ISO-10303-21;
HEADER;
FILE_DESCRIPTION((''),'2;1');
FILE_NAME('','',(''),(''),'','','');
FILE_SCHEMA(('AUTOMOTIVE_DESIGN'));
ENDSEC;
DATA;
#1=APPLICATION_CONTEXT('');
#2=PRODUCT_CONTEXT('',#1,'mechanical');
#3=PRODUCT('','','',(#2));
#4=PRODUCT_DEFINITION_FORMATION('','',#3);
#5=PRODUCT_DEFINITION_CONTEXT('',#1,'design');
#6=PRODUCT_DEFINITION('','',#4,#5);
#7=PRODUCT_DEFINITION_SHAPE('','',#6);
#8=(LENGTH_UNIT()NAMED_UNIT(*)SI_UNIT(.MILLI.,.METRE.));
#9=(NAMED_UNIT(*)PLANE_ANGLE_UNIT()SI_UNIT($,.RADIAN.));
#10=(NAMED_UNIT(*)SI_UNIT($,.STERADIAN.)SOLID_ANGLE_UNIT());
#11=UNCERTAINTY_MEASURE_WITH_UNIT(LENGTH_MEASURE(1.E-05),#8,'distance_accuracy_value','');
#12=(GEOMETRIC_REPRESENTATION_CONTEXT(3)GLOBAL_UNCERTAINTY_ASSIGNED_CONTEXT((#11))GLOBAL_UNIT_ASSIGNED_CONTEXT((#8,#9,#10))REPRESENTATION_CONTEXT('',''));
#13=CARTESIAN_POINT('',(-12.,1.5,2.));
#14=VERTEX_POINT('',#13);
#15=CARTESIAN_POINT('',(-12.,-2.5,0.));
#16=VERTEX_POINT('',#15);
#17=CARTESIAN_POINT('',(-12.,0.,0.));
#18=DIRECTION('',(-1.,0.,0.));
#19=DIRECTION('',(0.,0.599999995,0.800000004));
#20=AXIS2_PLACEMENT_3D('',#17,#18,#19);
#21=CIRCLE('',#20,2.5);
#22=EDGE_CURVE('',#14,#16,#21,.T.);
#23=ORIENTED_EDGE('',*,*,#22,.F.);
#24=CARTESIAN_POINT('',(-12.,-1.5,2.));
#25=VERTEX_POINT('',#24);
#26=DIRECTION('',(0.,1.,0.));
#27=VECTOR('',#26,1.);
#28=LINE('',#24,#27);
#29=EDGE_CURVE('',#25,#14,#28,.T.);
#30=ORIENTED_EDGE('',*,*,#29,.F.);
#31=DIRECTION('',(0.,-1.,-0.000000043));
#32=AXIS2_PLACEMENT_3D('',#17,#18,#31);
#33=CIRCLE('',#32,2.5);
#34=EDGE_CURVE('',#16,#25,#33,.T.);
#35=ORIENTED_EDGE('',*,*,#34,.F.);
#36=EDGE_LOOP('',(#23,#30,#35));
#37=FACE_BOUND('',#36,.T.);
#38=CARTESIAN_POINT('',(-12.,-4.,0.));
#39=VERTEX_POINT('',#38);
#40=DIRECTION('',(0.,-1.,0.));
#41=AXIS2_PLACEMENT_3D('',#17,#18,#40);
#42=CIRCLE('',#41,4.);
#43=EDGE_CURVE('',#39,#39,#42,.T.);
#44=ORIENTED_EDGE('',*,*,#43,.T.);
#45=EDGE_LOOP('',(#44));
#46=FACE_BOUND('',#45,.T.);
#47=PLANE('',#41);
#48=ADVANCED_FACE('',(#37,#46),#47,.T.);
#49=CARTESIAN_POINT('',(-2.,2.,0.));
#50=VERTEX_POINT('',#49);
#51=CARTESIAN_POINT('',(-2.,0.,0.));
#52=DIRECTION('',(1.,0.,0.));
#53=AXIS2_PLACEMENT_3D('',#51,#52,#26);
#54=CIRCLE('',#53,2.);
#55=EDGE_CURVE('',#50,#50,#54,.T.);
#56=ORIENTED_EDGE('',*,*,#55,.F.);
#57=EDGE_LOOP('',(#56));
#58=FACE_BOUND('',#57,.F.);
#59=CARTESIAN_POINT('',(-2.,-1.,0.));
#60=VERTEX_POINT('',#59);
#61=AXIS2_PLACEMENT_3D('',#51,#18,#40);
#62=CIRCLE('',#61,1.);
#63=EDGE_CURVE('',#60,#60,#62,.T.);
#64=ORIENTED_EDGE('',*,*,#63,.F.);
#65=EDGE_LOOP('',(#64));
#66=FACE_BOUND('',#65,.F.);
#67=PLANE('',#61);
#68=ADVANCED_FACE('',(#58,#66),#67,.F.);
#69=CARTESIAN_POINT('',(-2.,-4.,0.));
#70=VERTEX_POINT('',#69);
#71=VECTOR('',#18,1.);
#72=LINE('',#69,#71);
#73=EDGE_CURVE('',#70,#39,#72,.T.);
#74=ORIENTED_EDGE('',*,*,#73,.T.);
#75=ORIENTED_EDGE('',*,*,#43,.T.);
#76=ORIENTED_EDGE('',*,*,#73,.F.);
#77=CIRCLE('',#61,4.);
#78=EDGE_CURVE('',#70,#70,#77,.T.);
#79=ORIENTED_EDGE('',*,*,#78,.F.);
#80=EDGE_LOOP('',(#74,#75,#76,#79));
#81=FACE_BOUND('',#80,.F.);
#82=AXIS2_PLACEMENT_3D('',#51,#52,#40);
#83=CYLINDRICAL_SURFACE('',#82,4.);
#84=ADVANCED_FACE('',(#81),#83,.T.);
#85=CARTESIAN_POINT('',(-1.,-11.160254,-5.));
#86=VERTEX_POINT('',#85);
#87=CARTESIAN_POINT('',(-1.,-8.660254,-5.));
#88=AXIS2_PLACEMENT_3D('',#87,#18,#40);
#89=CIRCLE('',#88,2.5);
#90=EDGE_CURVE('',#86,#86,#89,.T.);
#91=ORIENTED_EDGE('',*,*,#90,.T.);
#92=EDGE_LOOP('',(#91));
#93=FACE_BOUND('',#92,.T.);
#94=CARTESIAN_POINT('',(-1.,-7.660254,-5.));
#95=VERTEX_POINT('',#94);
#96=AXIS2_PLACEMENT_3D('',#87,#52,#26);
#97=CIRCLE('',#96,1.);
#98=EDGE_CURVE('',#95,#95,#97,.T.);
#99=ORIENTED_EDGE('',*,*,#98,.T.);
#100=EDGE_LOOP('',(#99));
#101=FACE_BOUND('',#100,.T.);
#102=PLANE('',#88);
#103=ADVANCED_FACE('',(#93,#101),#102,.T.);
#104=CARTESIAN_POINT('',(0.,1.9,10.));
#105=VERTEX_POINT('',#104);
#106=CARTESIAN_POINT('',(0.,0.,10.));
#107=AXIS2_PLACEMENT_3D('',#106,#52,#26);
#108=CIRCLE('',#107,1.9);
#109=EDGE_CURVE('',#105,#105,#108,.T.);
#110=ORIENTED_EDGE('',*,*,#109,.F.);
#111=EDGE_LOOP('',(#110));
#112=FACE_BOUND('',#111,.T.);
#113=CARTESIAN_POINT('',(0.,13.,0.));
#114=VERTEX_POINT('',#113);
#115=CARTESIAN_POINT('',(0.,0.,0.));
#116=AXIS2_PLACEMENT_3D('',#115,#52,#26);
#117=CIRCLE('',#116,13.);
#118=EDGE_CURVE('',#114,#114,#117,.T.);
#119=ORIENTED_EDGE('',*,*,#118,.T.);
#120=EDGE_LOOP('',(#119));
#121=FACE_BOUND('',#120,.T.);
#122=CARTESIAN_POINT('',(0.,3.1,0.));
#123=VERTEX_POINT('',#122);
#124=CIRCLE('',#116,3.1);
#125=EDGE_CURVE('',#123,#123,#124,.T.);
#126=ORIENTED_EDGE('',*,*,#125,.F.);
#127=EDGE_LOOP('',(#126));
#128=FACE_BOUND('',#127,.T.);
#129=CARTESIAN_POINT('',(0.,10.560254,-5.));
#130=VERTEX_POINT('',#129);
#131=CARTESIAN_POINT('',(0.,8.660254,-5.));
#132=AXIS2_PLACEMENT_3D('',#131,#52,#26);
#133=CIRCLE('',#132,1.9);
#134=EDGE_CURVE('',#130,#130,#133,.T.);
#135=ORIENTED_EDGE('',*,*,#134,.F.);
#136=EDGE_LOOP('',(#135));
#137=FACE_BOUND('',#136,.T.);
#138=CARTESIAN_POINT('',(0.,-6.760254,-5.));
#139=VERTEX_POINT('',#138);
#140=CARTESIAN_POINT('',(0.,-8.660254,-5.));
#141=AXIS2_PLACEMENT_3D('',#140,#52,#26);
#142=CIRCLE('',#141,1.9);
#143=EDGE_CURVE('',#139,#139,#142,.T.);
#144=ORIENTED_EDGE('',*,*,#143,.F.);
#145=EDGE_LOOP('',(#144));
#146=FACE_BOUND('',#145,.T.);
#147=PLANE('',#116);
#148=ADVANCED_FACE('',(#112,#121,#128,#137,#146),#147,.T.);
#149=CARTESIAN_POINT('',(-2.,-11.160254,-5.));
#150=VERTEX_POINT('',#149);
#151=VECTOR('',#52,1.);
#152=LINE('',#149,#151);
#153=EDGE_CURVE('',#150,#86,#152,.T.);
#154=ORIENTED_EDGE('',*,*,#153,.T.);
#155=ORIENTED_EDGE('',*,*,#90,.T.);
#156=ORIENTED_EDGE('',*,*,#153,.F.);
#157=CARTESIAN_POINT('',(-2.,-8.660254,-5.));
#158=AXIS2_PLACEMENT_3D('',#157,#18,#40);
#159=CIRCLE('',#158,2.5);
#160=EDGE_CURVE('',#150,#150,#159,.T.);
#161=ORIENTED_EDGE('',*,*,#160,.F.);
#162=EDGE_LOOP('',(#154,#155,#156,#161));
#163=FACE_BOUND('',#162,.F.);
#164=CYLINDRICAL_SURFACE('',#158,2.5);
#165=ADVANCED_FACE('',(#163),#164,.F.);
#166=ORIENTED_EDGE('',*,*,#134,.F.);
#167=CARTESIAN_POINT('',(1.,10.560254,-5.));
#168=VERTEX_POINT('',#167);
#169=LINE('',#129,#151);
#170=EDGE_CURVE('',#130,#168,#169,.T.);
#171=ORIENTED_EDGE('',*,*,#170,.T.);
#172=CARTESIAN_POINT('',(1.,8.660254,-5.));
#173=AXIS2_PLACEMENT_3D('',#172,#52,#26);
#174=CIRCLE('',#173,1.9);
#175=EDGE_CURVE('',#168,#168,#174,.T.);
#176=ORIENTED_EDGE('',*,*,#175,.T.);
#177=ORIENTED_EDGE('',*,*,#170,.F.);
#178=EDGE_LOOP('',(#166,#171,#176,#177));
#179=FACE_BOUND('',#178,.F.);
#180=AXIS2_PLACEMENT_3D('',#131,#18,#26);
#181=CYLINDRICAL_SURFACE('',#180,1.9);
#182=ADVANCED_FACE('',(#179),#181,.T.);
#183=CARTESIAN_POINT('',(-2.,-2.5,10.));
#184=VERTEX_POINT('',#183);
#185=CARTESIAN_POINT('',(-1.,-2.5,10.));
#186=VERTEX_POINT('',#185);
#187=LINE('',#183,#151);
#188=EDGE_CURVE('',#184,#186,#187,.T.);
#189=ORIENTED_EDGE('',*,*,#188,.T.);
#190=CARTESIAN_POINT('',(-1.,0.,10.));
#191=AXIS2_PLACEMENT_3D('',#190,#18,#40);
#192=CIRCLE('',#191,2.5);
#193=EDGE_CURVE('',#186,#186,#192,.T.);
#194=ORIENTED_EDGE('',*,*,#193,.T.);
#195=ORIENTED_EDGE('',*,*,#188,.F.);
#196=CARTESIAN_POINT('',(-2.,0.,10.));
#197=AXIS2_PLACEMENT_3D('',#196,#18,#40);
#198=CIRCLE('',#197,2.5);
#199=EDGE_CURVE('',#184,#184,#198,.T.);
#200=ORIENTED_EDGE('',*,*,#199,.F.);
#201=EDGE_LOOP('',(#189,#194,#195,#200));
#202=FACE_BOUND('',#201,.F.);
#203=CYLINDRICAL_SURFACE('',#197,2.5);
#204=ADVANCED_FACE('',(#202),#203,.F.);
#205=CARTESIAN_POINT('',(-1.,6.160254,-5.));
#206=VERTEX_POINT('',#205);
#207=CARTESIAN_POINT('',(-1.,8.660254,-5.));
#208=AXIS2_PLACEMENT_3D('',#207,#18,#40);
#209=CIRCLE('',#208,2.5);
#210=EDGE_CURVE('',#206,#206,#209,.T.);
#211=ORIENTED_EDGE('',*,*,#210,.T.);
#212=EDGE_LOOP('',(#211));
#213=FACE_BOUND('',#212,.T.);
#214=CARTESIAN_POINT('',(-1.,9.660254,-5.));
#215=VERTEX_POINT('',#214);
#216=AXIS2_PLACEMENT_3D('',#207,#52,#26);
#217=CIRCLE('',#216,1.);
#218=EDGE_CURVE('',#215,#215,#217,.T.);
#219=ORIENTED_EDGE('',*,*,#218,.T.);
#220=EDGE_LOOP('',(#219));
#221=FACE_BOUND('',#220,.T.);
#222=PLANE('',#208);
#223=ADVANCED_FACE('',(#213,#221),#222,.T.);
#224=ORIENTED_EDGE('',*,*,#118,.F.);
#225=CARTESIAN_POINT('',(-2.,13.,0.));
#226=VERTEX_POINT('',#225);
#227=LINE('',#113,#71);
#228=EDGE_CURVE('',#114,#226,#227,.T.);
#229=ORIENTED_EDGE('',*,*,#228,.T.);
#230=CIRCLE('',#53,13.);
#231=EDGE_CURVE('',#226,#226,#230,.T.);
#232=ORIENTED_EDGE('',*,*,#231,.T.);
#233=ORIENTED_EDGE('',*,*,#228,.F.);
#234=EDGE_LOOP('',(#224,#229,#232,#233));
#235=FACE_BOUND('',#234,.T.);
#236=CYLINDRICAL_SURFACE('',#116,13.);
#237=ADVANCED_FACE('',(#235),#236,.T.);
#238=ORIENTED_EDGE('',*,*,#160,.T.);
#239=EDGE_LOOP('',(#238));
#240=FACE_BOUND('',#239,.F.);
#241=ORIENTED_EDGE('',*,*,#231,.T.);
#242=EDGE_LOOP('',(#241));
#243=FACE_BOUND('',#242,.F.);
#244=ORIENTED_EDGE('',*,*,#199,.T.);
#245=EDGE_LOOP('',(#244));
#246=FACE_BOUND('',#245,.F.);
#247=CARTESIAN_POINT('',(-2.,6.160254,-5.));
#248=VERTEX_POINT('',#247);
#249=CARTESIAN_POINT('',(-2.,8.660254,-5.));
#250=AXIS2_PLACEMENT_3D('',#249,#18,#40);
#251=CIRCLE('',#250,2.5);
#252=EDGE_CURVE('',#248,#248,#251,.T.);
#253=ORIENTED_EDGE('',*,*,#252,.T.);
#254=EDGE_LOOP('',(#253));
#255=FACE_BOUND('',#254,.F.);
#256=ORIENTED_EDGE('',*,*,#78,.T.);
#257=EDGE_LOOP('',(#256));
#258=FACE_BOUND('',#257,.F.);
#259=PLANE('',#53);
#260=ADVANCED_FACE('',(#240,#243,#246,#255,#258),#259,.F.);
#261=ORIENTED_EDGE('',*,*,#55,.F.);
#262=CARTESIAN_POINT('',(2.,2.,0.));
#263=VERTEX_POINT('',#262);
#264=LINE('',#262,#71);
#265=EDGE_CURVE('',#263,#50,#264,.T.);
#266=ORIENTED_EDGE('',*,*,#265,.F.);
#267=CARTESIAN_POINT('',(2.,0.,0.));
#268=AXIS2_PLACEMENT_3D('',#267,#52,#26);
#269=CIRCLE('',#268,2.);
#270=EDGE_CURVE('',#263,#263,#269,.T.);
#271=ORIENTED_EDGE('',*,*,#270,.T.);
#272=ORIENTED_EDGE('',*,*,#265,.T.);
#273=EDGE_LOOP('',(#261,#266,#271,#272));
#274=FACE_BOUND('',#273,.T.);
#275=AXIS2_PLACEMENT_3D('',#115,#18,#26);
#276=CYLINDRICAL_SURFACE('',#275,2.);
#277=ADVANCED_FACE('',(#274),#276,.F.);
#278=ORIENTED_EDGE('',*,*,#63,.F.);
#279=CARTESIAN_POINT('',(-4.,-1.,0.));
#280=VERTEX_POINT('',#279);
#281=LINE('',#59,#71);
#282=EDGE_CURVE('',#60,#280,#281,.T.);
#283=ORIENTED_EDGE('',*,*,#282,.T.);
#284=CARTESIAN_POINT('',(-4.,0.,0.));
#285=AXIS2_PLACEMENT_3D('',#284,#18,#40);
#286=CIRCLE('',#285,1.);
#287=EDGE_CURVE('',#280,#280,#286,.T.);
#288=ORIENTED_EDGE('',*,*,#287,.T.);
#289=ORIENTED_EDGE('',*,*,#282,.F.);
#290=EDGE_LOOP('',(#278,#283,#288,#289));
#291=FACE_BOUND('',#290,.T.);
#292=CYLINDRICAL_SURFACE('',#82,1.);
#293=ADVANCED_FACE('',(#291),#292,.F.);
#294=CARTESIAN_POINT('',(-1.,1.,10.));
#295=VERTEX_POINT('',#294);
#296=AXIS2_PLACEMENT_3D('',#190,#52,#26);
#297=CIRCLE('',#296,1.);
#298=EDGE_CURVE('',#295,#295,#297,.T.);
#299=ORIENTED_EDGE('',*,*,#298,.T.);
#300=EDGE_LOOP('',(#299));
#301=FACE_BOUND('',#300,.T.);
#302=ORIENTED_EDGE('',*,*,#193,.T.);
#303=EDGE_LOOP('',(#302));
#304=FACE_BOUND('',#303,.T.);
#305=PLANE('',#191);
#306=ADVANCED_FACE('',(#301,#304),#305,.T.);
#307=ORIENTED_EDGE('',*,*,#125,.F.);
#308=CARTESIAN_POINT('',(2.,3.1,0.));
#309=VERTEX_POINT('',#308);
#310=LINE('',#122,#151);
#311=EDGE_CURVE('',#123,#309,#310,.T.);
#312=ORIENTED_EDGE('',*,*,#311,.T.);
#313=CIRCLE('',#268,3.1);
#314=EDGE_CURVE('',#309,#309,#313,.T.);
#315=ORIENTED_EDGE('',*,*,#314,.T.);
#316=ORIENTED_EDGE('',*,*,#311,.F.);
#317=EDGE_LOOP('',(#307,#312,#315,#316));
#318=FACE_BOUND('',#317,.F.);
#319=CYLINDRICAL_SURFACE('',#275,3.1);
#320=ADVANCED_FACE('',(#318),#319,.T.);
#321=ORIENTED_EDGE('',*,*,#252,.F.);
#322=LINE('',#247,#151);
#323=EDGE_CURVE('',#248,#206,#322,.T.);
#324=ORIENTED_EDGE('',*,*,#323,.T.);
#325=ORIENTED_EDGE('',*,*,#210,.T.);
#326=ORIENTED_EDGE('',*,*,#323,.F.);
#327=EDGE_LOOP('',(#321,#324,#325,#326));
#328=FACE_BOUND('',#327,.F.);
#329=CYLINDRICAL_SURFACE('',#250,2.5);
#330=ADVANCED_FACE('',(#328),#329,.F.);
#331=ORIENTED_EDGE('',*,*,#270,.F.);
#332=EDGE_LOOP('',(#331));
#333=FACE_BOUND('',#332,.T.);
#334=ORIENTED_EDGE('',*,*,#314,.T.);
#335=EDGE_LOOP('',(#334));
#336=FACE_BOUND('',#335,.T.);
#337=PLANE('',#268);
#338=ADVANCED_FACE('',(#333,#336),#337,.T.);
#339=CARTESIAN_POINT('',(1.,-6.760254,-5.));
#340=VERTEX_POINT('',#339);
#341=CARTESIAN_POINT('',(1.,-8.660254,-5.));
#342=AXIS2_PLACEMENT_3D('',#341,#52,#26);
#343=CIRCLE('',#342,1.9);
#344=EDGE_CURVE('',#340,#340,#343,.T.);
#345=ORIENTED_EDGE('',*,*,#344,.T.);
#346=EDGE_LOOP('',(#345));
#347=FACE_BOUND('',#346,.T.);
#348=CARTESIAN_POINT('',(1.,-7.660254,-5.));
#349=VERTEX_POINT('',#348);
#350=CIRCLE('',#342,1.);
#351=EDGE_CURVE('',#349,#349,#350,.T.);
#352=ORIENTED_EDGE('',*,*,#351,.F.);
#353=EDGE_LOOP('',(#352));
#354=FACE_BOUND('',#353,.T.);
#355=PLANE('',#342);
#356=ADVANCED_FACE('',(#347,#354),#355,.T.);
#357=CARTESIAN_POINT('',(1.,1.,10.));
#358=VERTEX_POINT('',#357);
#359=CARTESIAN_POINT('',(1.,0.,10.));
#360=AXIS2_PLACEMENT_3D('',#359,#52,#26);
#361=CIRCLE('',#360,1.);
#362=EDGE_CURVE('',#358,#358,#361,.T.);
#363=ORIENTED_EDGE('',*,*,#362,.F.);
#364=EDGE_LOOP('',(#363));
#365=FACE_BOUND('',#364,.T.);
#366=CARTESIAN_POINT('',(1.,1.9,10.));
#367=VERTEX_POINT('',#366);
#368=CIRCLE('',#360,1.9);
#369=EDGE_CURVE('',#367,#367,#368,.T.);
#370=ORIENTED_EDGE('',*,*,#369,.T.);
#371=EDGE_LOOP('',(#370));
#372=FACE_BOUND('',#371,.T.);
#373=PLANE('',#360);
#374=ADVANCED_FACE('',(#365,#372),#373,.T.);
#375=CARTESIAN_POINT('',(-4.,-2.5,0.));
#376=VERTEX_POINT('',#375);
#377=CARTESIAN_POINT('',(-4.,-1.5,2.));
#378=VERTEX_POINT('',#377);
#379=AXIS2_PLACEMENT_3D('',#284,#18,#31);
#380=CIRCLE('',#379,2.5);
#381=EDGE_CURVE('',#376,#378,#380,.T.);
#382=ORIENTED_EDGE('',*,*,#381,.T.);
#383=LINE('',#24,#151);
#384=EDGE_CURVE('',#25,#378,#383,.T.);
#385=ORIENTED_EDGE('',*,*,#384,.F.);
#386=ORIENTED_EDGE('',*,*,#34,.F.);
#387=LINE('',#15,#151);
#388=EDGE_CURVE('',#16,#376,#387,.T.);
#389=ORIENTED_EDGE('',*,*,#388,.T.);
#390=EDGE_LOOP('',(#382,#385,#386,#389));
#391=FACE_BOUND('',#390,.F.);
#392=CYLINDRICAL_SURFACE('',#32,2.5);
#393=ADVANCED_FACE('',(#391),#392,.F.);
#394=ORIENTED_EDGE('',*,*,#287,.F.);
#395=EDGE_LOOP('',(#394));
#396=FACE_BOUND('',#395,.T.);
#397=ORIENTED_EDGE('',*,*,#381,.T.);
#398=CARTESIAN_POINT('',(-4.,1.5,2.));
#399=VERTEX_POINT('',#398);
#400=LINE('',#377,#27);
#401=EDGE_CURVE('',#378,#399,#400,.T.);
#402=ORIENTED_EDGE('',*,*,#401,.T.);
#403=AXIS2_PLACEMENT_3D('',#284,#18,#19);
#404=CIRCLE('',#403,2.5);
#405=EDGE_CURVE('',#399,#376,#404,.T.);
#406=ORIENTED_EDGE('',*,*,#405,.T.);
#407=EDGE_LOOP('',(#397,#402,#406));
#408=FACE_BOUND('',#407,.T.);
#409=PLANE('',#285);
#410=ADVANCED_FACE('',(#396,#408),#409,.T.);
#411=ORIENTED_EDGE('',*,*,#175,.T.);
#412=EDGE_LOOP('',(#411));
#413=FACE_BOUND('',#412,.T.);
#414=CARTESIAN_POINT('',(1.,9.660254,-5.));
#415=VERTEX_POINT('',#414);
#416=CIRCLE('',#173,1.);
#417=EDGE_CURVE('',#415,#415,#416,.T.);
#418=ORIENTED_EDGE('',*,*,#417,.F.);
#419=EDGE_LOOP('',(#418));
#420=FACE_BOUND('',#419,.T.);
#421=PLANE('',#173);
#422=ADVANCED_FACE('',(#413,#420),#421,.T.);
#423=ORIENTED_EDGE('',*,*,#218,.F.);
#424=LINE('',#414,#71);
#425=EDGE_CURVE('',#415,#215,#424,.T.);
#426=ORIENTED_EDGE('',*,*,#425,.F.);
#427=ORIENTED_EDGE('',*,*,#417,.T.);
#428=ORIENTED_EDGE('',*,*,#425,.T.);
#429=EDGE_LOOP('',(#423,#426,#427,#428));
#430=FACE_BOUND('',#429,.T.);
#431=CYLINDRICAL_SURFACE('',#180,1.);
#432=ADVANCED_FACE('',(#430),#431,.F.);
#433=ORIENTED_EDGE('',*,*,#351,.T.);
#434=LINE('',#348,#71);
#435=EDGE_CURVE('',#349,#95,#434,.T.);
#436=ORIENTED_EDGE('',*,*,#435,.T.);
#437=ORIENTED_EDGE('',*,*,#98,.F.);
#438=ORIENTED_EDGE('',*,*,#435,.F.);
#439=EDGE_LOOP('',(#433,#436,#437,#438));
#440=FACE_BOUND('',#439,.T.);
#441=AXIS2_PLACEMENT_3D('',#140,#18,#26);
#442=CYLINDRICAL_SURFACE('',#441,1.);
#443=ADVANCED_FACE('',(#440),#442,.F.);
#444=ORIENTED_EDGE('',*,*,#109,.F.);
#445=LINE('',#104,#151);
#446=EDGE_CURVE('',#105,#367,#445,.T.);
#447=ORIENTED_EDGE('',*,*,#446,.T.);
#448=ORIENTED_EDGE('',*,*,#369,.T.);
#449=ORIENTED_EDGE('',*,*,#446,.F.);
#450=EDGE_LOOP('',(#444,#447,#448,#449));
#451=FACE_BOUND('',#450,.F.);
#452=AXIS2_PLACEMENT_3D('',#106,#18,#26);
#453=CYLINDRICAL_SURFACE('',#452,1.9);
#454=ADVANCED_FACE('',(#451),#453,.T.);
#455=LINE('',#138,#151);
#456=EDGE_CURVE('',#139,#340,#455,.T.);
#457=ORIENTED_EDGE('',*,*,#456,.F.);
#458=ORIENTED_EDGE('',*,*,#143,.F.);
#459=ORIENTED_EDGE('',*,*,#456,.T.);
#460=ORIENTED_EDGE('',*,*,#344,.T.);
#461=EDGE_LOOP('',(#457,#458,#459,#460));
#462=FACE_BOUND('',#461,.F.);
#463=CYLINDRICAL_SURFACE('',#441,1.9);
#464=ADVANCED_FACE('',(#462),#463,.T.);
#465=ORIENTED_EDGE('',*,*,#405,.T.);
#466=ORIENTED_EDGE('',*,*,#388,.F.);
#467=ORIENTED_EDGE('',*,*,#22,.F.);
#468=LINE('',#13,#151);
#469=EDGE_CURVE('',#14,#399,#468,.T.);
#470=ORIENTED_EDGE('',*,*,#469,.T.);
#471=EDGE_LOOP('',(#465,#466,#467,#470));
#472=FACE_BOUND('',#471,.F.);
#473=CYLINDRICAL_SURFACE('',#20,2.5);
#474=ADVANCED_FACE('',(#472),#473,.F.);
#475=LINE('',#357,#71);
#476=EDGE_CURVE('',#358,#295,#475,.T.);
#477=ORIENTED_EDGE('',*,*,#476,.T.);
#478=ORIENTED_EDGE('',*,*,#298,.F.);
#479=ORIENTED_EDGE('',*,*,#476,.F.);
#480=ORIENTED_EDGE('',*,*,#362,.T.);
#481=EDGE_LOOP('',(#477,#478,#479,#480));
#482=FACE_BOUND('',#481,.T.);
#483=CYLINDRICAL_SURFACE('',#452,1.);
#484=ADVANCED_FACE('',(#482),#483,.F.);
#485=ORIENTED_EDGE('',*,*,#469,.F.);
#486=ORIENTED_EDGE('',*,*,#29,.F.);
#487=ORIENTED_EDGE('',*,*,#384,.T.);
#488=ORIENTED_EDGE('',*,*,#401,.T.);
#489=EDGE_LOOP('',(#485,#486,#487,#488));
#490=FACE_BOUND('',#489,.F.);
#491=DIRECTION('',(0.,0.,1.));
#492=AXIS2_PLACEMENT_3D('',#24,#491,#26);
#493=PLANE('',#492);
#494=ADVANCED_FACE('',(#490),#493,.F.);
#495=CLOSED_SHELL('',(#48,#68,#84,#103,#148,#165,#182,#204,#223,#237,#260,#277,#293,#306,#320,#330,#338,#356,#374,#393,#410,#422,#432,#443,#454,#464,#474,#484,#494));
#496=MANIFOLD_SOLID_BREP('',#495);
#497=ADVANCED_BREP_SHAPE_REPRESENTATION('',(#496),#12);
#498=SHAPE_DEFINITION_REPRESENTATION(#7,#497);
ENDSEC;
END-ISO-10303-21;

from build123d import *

# Parameters (mm, degrees)
F0_R      = 13
F0_R_2    = 1
F0_R_3    = 2
F1_DEPTH  = 2
F4_R      = 4
F4_R_2    = 1
F5_DEPTH  = 10
F6_R      = 2.5
F6_R_2    = 1
F7_DEPTH  = 1
F8_R      = 1
F9_DEPTH  = 8
F2_R      = 1.9
F2_R_2    = 1
F10_DEPTH = 1
F3_R      = 3.1
F3_R_2    = 2
F11_DEPTH = 2


with BuildPart() as f1:
    # F0 (on Right) → F1 (new body)
    with BuildSketch(Plane.YZ):
        Circle(F0_R)
        with Locations((-8.660254, -5)):
            Circle(F0_R_2, mode=Mode.SUBTRACT)
        with Locations((8.660254, -5)):
            Circle(F0_R_2, mode=Mode.SUBTRACT)
        Circle(F0_R_3, mode=Mode.SUBTRACT)
        with Locations((0, 10)):
            Circle(F0_R_2, mode=Mode.SUBTRACT)
    extrude(amount=-F1_DEPTH)

    # F4 (on face) → F5 (join)
    with BuildSketch(Plane(origin=(-2, 0, 0), x_dir=(0, -1, 0), z_dir=(-1, 0, 0))):
        Circle(F4_R)
        Circle(F4_R_2, mode=Mode.SUBTRACT)
    extrude(amount=F5_DEPTH)

    # F6 (on face) → F7 (cut)
    with BuildSketch(Plane(origin=(-2, 0, 0), x_dir=(0, -1, 0), z_dir=(-1, 0, 0))):
        with Locations((0, 10)):
            Circle(F6_R)
        with Locations((0, 10)):
            Circle(F6_R_2, mode=Mode.SUBTRACT)
        with Locations((8.660254, -5)):
            Circle(F6_R)
        with Locations((8.660254, -5)):
            Circle(F6_R_2, mode=Mode.SUBTRACT)
        with Locations((-8.660254, -5)):
            Circle(F6_R)
        with Locations((-8.660254, -5)):
            Circle(F6_R_2, mode=Mode.SUBTRACT)
    extrude(amount=-F7_DEPTH, mode=Mode.SUBTRACT)

    # F8 (on face) → F9 (cut)
    with BuildSketch(Plane(origin=(-12, 0, 0), x_dir=(0, -1, 0), z_dir=(-1, 0, 0))):
        Circle(F8_R)
        with BuildLine():
            ThreePointArc((-1.5, 2), (-1.118034, -2.236068), (2.5, 0))
            ThreePointArc((2.5, 0), (2.236068, 1.118034), (1.5, 2))
            Line((1.5, 2), (-1.5, 2))
        make_face()
        Circle(F8_R, mode=Mode.SUBTRACT)
    extrude(amount=-F9_DEPTH, mode=Mode.SUBTRACT)

    # F2 (on face) → F10 (join)
    with BuildSketch(Plane.YZ):
        with Locations((0, 10)):
            Circle(F2_R)
        with Locations((0, 10)):
            Circle(F2_R_2, mode=Mode.SUBTRACT)
        with Locations((8.660254, -5)):
            Circle(F2_R)
        with Locations((8.660254, -5)):
            Circle(F2_R_2, mode=Mode.SUBTRACT)
        with Locations((-8.660254, -5)):
            Circle(F2_R)
        with Locations((-8.660254, -5)):
            Circle(F2_R_2, mode=Mode.SUBTRACT)
    extrude(amount=F10_DEPTH)

    # F3 (on face) → F11 (join)
    with BuildSketch(Plane.YZ):
        Circle(F3_R)
        Circle(F3_R_2, mode=Mode.SUBTRACT)
    extrude(amount=F11_DEPTH)


solid = f1.part
